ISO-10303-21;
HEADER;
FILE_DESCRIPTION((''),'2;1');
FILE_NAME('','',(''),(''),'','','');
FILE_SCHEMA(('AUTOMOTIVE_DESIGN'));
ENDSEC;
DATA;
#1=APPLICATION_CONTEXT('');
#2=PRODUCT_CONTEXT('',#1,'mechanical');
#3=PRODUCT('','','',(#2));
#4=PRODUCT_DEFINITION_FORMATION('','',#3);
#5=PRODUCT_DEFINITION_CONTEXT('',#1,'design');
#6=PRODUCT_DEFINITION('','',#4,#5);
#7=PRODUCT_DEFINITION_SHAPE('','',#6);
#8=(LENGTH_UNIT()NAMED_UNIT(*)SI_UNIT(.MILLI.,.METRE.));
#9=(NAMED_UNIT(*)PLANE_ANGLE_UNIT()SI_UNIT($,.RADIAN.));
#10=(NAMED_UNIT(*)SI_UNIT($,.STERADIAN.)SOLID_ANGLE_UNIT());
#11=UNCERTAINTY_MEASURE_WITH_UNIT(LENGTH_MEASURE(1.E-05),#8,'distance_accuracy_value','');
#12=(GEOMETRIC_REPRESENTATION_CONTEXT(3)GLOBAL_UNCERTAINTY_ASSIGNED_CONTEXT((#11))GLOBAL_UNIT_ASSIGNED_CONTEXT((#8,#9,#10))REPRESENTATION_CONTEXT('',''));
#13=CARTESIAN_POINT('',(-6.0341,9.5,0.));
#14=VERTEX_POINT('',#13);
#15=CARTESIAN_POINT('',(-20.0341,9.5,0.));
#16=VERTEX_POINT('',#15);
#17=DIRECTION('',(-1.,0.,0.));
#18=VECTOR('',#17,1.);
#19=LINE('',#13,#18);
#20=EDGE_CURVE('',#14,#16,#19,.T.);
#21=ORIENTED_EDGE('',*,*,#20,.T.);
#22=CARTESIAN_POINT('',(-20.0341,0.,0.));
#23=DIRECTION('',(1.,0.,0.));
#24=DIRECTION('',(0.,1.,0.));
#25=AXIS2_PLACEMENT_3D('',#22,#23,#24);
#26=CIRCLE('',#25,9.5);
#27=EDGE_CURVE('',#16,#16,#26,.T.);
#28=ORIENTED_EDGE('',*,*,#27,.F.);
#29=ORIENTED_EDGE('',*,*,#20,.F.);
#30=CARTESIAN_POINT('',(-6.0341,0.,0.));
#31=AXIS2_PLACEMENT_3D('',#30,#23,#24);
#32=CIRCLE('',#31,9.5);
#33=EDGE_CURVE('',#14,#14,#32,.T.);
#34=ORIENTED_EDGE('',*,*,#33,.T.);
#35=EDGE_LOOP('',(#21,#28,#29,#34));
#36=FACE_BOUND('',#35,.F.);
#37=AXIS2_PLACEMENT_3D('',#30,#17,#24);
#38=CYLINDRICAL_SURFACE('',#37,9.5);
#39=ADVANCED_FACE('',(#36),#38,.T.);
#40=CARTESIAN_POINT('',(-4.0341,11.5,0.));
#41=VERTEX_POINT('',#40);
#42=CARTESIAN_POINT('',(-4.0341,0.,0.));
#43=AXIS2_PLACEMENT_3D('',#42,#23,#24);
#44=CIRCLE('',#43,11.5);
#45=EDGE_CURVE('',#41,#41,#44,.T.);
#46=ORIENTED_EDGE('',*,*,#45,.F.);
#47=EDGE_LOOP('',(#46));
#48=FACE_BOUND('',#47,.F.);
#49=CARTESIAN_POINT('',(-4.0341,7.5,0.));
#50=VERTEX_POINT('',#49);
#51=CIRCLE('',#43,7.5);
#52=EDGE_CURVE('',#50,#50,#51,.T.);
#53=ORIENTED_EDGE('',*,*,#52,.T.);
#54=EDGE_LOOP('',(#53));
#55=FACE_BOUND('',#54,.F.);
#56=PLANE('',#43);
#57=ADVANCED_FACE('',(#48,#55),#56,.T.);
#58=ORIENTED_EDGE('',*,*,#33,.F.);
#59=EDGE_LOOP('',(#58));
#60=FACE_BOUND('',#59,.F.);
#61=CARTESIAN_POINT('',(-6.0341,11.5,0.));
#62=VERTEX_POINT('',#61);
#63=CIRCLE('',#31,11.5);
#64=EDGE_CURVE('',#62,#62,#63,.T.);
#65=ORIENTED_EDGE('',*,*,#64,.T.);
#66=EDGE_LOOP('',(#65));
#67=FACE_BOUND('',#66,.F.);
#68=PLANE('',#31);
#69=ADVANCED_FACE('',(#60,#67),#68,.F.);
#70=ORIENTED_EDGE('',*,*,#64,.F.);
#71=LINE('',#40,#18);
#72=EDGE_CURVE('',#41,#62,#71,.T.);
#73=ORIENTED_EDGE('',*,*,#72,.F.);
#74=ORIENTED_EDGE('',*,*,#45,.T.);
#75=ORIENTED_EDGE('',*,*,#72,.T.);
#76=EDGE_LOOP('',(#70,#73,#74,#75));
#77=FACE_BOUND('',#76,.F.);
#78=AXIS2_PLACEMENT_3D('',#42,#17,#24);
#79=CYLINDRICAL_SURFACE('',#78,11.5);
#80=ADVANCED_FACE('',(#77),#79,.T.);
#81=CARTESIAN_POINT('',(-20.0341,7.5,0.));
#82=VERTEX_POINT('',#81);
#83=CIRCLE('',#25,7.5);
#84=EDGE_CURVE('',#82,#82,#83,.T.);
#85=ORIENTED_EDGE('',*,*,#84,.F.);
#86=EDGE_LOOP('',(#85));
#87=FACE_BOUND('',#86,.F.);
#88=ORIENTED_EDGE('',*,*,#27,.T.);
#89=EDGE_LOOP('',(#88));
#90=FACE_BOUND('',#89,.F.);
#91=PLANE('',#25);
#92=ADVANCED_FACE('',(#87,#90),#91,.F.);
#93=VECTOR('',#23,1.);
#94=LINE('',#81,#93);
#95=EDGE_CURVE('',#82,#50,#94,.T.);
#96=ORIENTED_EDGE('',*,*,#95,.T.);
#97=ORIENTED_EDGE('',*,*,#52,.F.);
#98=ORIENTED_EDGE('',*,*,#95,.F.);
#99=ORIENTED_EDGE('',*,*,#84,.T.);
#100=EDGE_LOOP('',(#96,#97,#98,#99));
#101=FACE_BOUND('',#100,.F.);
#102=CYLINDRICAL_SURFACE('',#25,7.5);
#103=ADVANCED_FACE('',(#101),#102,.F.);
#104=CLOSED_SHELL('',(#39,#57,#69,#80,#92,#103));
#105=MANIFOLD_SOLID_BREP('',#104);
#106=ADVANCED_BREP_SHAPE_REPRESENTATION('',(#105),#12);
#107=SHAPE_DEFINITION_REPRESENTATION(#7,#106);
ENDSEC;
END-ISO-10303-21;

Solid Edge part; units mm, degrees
sketch "Sketch1" plane through (0, 0, 0) normal (0, 0, 1) x (1, 0, 0)
  line L0 (-6.0341, 11.5) -> (-6.0341, 9.5)
  line L1 (-6.0341, 9.5) -> (-20.0341, 9.5)
  line L2 (-20.0341, 9.5) -> (-20.0341, 7.5)
  line L3 (-20.0341, 7.5) -> (-4.0341, 7.5)
  line L4 (-4.0341, 7.5) -> (-4.0341, 11.5)
  line L5 (-4.0341, 11.5) -> (-6.0341, 11.5)
  dimension "D1" = 7.5
  dimension "D2" = 9.5
  dimension "D3" = 16
  dimension "D4" = 2
  dimension "D5" = 11.5
revolve "RevolvedProtrusion1" add sketch "Sketch1" angle 360 about axis through (0, 0, 0) along (1, 0, 0)
properties part number "1976-1200-C04" material "Latón, amarillo"
